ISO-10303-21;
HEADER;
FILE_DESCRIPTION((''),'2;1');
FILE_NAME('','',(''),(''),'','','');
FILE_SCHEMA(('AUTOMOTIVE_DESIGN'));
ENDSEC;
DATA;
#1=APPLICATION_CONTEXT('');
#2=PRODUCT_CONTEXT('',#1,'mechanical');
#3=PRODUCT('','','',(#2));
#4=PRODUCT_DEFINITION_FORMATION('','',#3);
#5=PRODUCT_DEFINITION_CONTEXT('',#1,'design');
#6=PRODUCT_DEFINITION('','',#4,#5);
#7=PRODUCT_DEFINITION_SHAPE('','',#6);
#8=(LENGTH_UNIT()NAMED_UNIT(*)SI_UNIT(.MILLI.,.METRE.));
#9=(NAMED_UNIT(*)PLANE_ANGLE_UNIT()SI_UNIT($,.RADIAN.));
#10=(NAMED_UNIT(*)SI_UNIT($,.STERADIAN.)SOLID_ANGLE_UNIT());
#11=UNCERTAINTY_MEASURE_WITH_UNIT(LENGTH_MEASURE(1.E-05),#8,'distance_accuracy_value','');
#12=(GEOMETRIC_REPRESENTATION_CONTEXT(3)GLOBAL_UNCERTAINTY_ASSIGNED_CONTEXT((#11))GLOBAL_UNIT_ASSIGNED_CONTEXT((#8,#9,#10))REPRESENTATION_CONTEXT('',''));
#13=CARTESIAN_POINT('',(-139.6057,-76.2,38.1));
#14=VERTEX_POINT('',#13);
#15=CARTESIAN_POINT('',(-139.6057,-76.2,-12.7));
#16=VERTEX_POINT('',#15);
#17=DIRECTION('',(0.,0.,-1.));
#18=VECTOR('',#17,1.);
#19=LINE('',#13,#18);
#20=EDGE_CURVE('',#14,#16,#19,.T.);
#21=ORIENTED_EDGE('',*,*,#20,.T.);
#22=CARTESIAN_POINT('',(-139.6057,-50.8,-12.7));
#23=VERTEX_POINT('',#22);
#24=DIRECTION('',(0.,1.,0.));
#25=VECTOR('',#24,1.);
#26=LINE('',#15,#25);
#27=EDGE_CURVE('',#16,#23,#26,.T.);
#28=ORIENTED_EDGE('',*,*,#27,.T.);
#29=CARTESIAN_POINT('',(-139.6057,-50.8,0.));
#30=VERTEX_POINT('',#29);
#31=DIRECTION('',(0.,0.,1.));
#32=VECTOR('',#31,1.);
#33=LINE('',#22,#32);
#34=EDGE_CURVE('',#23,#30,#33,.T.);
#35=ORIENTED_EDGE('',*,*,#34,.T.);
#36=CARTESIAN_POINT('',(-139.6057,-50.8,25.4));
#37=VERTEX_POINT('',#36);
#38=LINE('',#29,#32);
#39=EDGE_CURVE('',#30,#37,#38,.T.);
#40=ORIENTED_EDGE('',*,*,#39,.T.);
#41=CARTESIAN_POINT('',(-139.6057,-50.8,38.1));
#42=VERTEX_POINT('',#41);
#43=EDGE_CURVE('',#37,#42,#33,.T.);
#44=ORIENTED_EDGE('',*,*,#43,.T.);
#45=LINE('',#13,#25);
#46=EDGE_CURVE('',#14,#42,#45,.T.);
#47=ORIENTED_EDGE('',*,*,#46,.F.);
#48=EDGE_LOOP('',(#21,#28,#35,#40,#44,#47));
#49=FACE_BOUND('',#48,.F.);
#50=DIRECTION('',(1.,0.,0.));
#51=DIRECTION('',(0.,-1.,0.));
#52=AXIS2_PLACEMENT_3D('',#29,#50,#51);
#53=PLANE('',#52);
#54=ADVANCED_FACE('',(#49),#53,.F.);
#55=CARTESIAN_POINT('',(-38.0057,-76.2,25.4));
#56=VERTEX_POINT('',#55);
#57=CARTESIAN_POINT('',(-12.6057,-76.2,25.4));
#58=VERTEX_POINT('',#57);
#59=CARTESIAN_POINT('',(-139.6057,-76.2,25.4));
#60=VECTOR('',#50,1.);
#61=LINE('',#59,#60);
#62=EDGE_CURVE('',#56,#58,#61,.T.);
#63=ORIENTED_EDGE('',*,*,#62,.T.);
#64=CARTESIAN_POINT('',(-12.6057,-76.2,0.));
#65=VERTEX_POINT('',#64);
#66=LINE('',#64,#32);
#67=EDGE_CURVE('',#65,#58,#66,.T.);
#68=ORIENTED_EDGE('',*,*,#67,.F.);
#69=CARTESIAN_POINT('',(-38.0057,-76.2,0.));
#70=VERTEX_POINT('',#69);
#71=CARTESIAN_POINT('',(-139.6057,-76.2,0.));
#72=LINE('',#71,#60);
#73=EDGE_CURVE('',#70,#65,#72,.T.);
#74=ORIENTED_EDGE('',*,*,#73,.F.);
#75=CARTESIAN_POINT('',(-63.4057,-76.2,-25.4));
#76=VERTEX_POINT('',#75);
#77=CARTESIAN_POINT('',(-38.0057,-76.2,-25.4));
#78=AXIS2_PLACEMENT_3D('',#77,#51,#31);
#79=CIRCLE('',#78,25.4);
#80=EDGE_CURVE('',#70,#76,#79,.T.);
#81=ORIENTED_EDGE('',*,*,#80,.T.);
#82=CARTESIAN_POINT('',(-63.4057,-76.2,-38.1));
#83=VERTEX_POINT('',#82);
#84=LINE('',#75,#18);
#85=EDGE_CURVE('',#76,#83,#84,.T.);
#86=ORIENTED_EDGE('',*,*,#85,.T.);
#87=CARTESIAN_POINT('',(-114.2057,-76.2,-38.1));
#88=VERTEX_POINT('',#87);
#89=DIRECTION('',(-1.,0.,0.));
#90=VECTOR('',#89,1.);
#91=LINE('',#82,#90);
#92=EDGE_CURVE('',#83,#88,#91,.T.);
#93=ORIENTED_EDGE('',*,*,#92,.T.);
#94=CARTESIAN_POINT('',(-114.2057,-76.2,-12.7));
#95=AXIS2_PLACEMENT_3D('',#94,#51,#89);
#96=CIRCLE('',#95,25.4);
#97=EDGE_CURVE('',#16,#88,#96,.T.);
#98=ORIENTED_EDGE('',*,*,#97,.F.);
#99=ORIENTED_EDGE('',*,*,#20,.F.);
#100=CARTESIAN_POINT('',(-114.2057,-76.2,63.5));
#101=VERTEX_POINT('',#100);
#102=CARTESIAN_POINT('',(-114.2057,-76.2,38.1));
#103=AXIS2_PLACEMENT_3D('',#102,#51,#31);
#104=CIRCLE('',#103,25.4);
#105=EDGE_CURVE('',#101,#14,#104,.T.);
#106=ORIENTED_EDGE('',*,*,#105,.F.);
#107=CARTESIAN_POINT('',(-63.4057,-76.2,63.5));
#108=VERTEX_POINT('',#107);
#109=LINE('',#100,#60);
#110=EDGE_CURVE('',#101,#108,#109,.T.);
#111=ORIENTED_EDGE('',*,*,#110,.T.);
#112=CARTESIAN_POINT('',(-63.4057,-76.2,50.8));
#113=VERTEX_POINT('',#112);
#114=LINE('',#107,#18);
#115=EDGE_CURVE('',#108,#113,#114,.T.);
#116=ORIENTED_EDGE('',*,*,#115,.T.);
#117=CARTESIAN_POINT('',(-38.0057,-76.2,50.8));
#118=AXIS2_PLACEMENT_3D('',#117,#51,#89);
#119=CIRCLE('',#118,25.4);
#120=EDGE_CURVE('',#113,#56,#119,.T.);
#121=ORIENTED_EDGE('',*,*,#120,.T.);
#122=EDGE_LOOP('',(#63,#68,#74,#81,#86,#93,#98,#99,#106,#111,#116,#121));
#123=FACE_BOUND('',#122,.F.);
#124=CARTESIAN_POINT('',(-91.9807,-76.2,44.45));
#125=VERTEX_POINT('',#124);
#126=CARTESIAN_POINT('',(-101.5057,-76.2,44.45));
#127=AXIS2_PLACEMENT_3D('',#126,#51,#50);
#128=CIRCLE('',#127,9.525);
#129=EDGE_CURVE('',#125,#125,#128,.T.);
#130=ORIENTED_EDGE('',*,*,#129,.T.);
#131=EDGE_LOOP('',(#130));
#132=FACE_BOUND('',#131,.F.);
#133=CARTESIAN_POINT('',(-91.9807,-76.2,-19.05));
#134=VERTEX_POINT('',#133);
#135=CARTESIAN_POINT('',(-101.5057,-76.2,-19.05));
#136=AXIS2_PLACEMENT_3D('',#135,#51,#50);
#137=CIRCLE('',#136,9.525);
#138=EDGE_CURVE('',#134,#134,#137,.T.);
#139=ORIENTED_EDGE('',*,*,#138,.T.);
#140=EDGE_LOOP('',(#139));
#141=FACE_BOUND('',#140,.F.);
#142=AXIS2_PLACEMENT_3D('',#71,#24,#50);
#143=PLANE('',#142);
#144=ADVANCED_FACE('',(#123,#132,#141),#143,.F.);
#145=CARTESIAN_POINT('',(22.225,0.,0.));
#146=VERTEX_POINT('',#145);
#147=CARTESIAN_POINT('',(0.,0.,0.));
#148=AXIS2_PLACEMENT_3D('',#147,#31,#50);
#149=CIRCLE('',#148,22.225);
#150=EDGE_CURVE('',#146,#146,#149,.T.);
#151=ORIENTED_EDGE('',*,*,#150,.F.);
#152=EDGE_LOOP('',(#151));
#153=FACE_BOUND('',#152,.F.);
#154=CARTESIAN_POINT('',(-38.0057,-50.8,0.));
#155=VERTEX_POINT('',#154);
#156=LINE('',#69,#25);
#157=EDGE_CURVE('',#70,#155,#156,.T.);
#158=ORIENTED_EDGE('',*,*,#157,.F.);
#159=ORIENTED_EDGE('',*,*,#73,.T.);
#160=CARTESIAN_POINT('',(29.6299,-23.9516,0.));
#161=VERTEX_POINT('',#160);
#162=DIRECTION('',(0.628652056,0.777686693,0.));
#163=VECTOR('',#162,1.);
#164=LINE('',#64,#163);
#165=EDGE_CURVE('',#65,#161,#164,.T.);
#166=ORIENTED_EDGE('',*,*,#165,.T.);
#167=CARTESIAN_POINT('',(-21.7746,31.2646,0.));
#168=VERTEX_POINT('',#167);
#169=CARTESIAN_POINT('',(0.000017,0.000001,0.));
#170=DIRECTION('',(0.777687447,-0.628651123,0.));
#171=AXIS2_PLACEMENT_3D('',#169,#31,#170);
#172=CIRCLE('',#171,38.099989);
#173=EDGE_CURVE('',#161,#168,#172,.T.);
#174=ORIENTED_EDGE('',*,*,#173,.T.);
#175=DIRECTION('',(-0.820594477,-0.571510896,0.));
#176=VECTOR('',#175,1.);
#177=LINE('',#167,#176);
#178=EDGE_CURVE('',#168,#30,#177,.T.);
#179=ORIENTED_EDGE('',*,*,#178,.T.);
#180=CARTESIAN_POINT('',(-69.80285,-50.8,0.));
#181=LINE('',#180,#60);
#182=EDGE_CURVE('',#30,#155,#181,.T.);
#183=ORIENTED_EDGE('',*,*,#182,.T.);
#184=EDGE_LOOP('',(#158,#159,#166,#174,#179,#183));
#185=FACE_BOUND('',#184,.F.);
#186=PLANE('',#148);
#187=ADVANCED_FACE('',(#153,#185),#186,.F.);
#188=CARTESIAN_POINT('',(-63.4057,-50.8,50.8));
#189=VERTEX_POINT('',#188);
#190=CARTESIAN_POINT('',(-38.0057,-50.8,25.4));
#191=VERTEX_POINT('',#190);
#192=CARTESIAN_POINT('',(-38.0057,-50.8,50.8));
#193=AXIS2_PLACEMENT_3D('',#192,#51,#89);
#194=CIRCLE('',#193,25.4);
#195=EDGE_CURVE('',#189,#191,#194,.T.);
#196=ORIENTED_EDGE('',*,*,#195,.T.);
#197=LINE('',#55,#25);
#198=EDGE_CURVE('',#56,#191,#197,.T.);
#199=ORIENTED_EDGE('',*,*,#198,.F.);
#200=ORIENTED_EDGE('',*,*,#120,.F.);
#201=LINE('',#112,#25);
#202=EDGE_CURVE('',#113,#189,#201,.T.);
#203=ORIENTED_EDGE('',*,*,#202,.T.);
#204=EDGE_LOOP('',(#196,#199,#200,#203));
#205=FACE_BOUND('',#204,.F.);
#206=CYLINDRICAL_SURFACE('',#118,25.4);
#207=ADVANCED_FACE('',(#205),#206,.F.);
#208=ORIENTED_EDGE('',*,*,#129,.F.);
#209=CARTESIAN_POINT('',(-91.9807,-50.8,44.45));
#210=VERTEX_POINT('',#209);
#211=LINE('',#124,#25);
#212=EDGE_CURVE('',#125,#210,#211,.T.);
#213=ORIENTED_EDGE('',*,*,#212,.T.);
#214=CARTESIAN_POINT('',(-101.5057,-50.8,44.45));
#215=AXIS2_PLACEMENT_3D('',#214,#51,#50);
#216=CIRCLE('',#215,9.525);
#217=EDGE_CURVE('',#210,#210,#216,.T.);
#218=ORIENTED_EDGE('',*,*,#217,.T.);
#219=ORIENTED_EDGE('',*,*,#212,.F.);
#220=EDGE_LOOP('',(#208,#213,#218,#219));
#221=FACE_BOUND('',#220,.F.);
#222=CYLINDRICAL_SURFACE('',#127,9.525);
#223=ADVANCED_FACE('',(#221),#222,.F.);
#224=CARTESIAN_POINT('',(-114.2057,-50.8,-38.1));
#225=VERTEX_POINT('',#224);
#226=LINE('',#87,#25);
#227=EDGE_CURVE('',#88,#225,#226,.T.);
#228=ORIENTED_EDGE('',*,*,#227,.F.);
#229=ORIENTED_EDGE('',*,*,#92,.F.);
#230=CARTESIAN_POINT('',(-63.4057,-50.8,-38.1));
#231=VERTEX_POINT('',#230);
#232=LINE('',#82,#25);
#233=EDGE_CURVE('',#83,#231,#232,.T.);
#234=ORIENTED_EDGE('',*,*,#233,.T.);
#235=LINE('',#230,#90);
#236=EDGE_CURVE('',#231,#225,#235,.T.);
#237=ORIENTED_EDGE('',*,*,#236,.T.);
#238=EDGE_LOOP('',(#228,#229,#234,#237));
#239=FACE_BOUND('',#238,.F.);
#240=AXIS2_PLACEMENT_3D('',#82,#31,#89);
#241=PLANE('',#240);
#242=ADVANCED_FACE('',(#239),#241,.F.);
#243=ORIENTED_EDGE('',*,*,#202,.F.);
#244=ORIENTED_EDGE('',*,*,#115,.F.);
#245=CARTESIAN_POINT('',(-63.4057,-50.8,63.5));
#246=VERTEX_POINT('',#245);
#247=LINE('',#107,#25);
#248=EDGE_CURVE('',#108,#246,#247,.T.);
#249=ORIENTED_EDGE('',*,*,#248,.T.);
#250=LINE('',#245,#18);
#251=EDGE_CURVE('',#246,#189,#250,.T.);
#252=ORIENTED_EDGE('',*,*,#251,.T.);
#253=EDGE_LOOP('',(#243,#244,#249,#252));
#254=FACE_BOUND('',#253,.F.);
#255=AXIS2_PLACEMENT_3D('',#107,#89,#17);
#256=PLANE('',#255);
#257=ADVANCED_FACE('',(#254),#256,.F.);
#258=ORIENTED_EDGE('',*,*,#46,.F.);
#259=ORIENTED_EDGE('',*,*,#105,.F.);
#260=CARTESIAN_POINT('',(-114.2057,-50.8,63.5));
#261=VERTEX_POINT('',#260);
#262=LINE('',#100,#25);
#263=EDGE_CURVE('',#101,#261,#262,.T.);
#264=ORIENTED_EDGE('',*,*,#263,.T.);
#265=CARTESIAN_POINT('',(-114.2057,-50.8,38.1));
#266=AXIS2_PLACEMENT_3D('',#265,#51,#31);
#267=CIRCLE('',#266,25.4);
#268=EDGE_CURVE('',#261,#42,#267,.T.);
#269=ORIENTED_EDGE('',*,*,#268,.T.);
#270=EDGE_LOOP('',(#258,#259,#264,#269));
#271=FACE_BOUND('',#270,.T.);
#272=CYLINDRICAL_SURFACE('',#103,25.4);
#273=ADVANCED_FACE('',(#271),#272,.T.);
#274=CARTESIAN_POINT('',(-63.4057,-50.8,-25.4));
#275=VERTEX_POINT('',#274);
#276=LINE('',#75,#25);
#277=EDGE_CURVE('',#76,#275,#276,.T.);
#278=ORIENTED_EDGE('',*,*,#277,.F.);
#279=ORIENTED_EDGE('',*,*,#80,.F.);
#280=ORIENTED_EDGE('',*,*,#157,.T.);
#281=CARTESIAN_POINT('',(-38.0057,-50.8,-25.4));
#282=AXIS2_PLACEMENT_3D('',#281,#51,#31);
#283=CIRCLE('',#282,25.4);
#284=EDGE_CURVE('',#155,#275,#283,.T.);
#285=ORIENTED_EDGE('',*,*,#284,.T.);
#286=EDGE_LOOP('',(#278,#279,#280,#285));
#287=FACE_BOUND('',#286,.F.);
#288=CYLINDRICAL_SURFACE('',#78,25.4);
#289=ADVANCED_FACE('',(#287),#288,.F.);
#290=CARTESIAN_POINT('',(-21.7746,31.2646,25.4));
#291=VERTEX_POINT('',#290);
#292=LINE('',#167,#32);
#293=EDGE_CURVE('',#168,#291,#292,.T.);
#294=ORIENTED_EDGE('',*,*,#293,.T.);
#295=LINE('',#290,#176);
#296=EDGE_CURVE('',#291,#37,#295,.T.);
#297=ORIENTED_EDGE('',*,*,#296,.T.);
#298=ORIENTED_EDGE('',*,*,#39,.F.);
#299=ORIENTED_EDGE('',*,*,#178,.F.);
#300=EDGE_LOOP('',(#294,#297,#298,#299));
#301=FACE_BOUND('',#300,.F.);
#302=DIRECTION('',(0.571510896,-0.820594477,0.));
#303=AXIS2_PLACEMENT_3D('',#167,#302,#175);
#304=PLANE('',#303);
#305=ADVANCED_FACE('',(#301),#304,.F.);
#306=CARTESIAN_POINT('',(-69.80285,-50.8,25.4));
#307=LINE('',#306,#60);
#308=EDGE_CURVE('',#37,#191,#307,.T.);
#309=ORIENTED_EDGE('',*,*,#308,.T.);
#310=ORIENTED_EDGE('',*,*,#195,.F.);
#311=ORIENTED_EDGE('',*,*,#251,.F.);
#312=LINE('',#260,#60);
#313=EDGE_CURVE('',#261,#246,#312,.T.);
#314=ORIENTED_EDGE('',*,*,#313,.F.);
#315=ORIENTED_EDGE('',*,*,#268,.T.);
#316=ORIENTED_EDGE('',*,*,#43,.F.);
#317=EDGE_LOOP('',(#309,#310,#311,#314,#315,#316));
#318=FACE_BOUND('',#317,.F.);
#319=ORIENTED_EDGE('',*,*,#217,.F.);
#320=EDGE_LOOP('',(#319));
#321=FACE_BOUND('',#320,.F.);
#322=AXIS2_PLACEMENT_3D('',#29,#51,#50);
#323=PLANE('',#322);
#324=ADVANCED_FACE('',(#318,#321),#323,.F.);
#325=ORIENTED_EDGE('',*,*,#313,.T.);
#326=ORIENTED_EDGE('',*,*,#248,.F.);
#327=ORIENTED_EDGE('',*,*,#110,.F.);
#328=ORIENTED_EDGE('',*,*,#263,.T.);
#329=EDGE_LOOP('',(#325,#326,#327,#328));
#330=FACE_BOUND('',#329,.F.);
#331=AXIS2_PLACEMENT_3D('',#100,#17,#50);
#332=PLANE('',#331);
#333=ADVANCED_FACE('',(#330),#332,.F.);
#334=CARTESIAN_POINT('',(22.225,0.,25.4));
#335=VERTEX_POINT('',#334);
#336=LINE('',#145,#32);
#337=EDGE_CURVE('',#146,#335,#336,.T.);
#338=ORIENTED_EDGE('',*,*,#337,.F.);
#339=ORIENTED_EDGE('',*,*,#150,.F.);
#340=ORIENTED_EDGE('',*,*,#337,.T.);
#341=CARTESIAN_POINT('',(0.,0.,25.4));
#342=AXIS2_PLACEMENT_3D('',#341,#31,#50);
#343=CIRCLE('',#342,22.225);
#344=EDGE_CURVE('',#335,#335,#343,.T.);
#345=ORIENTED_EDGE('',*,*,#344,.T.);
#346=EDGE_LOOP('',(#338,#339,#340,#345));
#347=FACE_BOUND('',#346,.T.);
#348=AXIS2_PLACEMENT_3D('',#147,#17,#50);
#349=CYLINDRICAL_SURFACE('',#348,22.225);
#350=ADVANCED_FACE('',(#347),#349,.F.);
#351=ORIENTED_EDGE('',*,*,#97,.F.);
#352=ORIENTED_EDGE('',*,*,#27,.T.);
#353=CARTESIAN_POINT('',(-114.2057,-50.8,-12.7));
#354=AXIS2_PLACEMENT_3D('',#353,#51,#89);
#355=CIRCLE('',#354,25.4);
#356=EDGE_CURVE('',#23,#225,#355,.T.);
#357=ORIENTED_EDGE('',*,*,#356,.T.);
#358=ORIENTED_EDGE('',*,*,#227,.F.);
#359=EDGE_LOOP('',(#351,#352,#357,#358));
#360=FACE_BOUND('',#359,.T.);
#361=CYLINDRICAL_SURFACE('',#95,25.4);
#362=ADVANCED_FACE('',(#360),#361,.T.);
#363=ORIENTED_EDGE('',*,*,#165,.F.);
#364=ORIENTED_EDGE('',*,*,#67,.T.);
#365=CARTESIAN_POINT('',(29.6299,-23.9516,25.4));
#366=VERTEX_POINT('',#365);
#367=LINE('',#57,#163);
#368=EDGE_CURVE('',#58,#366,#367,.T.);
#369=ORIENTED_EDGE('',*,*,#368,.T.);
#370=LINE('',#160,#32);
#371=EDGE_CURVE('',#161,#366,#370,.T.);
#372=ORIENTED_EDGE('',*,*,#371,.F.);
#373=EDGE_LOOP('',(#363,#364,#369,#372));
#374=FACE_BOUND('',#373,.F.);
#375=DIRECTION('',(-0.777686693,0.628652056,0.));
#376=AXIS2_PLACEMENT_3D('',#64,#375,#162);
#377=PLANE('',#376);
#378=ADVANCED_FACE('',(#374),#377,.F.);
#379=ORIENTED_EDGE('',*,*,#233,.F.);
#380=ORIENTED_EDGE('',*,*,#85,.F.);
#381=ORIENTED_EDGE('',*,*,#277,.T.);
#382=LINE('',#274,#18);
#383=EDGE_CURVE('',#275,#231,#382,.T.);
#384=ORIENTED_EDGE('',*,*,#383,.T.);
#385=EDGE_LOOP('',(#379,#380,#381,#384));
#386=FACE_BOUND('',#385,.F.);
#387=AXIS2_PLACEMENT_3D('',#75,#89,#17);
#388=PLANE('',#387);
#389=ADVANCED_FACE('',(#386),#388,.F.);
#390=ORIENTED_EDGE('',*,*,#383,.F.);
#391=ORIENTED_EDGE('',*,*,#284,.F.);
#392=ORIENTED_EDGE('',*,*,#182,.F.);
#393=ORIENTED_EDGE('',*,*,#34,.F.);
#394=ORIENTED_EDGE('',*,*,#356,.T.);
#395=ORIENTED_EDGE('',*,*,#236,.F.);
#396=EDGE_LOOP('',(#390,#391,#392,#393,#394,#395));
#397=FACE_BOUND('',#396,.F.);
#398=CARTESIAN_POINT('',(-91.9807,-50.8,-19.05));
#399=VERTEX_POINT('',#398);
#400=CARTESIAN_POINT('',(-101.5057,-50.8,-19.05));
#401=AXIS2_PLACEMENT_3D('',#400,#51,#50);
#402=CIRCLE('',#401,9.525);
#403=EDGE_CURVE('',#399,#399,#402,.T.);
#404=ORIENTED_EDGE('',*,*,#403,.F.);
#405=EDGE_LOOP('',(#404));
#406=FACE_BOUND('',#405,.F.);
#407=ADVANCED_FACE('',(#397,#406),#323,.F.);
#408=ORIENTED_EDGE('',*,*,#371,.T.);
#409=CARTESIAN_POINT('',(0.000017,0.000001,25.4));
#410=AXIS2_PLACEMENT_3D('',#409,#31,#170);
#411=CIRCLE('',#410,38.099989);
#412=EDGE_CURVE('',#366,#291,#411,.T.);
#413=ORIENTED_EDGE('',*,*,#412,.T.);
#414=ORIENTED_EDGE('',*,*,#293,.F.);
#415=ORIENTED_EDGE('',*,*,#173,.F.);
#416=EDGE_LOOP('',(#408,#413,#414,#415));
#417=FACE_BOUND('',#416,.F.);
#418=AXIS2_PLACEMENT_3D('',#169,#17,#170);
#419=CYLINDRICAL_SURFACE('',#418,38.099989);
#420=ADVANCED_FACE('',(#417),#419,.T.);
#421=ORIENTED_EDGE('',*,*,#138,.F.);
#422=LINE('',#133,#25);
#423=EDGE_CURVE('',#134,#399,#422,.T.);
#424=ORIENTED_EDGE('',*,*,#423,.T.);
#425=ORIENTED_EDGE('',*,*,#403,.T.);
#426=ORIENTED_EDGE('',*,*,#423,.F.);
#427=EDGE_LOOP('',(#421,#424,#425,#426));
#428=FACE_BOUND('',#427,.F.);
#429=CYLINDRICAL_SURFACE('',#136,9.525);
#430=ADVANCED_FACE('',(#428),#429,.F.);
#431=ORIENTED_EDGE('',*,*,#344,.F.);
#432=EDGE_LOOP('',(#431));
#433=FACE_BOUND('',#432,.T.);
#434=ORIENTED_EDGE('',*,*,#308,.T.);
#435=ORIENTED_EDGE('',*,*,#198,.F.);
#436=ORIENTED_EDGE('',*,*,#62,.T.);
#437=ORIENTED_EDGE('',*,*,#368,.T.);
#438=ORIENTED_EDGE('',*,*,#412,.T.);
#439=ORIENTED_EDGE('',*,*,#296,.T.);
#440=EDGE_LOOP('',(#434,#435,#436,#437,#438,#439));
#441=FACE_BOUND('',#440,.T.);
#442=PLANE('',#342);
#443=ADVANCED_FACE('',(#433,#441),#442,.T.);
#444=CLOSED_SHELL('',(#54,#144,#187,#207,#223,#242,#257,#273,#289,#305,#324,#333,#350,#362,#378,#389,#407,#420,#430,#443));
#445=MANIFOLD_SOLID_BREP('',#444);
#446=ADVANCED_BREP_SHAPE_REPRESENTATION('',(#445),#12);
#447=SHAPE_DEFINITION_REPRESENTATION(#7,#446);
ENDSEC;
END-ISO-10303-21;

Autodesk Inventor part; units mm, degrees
ref_plane "YZ Plane" through (0, 0, 0) normal (1, 0, 0) x (0, 1, 0)
ref_plane "XZ Plane" through (0, 0, 0) normal (0, 1, 0) x (-1, 0, 0)
ref_plane "XY Plane" through (0, 0, 0) normal (0, 0, 1) x (1, 0, 0)
sketch "Sketch1" plane through (0, 0, 0) normal (0, 0, 1) x (1, 0, 0)
  arc A0 (29.6299, -23.9516) -> (-21.7746, 31.2646) centre (0, 0) ccw
  circle A1 centre (0, 0) radius 22.225
  line L0 (-21.7746, 31.2646) -> (-139.6057, -50.8)
  line L1 (-139.6057, -50.8) -> (-139.6057, -76.2)
  line L2 (-139.6057, -76.2) -> (-12.6057, -76.2)
  line L3 (-12.6057, -76.2) -> (29.6299, -23.9516)
  dimension "d0" = 76.2
  dimension "d1" = 44.45
  dimension "d2" = 25.4
  dimension "d3" = 76.2
  dimension "d4" = 127
extrude "Extrusion1" add sketch "Sketch1" along normal blind 25.4
sketch "Sketch2" plane through (-139.6057, -76.2, 0) normal (0, -1, 0) x (1, 0, 0)
  line L0 (0, 0) -> (0, 25.4) projected
  line L1 (0, 12.7) -> (0, 38.1)
  line L2 (25.4, 63.5) -> (76.2, 63.5)
  line L3 (76.2, -25.4) -> (76.2, -38.1)
  line L4 (76.2, -38.1) -> (25.4, -38.1)
  line L5 (0, -12.7) -> (0, 12.7)
  arc A0 (25.4, 63.5) -> (0, 38.1) centre (25.4, 38.1) ccw
  arc A1 (0, -12.7) -> (25.4, -38.1) centre (25.4, -12.7) ccw
  circle A2 centre (38.1, -19.05) radius 9.525
  circle A3 centre (38.1, 44.45) radius 9.525
  line L6 (101.6, 0) -> (100.5996, 0)
  line L7 (0, 0) -> (117.8311, 0) projected
  arc A4 (101.6, 0) -> (76.2, -25.4) centre (101.6, -25.4) ccw
  line L8 (76.2, 63.5) -> (76.2, 50.8)
  line L9 (101.6, 25.4) -> (97.5099, 25.4)
  line L10 (117.8311, 25.4) -> (0, 25.4) projected
  arc A5 (76.2, 50.8) -> (101.6, 25.4) centre (101.6, 50.8) ccw
  line L11 (101.6, 25.4) -> (101.6, 0)
  point P0 (139.6057, 0)
  point P1 (0, 63.5)
  point P2 (0, -38.1)
  dimension "d7" = 50.8
  dimension "d8" = 76.2
  dimension "d9" = 101.6
  dimension "d10" = 25.4
  dimension "d11" = 19.05
  dimension "d12" = 19.05
  dimension "d13" = 38.1
  dimension "d16" = 25.4
  dimension "d17" = 25.4
extrude "Extrusion2" add sketch "Sketch2" against normal blind 25.4
properties part number "HW 6 Part 4"
